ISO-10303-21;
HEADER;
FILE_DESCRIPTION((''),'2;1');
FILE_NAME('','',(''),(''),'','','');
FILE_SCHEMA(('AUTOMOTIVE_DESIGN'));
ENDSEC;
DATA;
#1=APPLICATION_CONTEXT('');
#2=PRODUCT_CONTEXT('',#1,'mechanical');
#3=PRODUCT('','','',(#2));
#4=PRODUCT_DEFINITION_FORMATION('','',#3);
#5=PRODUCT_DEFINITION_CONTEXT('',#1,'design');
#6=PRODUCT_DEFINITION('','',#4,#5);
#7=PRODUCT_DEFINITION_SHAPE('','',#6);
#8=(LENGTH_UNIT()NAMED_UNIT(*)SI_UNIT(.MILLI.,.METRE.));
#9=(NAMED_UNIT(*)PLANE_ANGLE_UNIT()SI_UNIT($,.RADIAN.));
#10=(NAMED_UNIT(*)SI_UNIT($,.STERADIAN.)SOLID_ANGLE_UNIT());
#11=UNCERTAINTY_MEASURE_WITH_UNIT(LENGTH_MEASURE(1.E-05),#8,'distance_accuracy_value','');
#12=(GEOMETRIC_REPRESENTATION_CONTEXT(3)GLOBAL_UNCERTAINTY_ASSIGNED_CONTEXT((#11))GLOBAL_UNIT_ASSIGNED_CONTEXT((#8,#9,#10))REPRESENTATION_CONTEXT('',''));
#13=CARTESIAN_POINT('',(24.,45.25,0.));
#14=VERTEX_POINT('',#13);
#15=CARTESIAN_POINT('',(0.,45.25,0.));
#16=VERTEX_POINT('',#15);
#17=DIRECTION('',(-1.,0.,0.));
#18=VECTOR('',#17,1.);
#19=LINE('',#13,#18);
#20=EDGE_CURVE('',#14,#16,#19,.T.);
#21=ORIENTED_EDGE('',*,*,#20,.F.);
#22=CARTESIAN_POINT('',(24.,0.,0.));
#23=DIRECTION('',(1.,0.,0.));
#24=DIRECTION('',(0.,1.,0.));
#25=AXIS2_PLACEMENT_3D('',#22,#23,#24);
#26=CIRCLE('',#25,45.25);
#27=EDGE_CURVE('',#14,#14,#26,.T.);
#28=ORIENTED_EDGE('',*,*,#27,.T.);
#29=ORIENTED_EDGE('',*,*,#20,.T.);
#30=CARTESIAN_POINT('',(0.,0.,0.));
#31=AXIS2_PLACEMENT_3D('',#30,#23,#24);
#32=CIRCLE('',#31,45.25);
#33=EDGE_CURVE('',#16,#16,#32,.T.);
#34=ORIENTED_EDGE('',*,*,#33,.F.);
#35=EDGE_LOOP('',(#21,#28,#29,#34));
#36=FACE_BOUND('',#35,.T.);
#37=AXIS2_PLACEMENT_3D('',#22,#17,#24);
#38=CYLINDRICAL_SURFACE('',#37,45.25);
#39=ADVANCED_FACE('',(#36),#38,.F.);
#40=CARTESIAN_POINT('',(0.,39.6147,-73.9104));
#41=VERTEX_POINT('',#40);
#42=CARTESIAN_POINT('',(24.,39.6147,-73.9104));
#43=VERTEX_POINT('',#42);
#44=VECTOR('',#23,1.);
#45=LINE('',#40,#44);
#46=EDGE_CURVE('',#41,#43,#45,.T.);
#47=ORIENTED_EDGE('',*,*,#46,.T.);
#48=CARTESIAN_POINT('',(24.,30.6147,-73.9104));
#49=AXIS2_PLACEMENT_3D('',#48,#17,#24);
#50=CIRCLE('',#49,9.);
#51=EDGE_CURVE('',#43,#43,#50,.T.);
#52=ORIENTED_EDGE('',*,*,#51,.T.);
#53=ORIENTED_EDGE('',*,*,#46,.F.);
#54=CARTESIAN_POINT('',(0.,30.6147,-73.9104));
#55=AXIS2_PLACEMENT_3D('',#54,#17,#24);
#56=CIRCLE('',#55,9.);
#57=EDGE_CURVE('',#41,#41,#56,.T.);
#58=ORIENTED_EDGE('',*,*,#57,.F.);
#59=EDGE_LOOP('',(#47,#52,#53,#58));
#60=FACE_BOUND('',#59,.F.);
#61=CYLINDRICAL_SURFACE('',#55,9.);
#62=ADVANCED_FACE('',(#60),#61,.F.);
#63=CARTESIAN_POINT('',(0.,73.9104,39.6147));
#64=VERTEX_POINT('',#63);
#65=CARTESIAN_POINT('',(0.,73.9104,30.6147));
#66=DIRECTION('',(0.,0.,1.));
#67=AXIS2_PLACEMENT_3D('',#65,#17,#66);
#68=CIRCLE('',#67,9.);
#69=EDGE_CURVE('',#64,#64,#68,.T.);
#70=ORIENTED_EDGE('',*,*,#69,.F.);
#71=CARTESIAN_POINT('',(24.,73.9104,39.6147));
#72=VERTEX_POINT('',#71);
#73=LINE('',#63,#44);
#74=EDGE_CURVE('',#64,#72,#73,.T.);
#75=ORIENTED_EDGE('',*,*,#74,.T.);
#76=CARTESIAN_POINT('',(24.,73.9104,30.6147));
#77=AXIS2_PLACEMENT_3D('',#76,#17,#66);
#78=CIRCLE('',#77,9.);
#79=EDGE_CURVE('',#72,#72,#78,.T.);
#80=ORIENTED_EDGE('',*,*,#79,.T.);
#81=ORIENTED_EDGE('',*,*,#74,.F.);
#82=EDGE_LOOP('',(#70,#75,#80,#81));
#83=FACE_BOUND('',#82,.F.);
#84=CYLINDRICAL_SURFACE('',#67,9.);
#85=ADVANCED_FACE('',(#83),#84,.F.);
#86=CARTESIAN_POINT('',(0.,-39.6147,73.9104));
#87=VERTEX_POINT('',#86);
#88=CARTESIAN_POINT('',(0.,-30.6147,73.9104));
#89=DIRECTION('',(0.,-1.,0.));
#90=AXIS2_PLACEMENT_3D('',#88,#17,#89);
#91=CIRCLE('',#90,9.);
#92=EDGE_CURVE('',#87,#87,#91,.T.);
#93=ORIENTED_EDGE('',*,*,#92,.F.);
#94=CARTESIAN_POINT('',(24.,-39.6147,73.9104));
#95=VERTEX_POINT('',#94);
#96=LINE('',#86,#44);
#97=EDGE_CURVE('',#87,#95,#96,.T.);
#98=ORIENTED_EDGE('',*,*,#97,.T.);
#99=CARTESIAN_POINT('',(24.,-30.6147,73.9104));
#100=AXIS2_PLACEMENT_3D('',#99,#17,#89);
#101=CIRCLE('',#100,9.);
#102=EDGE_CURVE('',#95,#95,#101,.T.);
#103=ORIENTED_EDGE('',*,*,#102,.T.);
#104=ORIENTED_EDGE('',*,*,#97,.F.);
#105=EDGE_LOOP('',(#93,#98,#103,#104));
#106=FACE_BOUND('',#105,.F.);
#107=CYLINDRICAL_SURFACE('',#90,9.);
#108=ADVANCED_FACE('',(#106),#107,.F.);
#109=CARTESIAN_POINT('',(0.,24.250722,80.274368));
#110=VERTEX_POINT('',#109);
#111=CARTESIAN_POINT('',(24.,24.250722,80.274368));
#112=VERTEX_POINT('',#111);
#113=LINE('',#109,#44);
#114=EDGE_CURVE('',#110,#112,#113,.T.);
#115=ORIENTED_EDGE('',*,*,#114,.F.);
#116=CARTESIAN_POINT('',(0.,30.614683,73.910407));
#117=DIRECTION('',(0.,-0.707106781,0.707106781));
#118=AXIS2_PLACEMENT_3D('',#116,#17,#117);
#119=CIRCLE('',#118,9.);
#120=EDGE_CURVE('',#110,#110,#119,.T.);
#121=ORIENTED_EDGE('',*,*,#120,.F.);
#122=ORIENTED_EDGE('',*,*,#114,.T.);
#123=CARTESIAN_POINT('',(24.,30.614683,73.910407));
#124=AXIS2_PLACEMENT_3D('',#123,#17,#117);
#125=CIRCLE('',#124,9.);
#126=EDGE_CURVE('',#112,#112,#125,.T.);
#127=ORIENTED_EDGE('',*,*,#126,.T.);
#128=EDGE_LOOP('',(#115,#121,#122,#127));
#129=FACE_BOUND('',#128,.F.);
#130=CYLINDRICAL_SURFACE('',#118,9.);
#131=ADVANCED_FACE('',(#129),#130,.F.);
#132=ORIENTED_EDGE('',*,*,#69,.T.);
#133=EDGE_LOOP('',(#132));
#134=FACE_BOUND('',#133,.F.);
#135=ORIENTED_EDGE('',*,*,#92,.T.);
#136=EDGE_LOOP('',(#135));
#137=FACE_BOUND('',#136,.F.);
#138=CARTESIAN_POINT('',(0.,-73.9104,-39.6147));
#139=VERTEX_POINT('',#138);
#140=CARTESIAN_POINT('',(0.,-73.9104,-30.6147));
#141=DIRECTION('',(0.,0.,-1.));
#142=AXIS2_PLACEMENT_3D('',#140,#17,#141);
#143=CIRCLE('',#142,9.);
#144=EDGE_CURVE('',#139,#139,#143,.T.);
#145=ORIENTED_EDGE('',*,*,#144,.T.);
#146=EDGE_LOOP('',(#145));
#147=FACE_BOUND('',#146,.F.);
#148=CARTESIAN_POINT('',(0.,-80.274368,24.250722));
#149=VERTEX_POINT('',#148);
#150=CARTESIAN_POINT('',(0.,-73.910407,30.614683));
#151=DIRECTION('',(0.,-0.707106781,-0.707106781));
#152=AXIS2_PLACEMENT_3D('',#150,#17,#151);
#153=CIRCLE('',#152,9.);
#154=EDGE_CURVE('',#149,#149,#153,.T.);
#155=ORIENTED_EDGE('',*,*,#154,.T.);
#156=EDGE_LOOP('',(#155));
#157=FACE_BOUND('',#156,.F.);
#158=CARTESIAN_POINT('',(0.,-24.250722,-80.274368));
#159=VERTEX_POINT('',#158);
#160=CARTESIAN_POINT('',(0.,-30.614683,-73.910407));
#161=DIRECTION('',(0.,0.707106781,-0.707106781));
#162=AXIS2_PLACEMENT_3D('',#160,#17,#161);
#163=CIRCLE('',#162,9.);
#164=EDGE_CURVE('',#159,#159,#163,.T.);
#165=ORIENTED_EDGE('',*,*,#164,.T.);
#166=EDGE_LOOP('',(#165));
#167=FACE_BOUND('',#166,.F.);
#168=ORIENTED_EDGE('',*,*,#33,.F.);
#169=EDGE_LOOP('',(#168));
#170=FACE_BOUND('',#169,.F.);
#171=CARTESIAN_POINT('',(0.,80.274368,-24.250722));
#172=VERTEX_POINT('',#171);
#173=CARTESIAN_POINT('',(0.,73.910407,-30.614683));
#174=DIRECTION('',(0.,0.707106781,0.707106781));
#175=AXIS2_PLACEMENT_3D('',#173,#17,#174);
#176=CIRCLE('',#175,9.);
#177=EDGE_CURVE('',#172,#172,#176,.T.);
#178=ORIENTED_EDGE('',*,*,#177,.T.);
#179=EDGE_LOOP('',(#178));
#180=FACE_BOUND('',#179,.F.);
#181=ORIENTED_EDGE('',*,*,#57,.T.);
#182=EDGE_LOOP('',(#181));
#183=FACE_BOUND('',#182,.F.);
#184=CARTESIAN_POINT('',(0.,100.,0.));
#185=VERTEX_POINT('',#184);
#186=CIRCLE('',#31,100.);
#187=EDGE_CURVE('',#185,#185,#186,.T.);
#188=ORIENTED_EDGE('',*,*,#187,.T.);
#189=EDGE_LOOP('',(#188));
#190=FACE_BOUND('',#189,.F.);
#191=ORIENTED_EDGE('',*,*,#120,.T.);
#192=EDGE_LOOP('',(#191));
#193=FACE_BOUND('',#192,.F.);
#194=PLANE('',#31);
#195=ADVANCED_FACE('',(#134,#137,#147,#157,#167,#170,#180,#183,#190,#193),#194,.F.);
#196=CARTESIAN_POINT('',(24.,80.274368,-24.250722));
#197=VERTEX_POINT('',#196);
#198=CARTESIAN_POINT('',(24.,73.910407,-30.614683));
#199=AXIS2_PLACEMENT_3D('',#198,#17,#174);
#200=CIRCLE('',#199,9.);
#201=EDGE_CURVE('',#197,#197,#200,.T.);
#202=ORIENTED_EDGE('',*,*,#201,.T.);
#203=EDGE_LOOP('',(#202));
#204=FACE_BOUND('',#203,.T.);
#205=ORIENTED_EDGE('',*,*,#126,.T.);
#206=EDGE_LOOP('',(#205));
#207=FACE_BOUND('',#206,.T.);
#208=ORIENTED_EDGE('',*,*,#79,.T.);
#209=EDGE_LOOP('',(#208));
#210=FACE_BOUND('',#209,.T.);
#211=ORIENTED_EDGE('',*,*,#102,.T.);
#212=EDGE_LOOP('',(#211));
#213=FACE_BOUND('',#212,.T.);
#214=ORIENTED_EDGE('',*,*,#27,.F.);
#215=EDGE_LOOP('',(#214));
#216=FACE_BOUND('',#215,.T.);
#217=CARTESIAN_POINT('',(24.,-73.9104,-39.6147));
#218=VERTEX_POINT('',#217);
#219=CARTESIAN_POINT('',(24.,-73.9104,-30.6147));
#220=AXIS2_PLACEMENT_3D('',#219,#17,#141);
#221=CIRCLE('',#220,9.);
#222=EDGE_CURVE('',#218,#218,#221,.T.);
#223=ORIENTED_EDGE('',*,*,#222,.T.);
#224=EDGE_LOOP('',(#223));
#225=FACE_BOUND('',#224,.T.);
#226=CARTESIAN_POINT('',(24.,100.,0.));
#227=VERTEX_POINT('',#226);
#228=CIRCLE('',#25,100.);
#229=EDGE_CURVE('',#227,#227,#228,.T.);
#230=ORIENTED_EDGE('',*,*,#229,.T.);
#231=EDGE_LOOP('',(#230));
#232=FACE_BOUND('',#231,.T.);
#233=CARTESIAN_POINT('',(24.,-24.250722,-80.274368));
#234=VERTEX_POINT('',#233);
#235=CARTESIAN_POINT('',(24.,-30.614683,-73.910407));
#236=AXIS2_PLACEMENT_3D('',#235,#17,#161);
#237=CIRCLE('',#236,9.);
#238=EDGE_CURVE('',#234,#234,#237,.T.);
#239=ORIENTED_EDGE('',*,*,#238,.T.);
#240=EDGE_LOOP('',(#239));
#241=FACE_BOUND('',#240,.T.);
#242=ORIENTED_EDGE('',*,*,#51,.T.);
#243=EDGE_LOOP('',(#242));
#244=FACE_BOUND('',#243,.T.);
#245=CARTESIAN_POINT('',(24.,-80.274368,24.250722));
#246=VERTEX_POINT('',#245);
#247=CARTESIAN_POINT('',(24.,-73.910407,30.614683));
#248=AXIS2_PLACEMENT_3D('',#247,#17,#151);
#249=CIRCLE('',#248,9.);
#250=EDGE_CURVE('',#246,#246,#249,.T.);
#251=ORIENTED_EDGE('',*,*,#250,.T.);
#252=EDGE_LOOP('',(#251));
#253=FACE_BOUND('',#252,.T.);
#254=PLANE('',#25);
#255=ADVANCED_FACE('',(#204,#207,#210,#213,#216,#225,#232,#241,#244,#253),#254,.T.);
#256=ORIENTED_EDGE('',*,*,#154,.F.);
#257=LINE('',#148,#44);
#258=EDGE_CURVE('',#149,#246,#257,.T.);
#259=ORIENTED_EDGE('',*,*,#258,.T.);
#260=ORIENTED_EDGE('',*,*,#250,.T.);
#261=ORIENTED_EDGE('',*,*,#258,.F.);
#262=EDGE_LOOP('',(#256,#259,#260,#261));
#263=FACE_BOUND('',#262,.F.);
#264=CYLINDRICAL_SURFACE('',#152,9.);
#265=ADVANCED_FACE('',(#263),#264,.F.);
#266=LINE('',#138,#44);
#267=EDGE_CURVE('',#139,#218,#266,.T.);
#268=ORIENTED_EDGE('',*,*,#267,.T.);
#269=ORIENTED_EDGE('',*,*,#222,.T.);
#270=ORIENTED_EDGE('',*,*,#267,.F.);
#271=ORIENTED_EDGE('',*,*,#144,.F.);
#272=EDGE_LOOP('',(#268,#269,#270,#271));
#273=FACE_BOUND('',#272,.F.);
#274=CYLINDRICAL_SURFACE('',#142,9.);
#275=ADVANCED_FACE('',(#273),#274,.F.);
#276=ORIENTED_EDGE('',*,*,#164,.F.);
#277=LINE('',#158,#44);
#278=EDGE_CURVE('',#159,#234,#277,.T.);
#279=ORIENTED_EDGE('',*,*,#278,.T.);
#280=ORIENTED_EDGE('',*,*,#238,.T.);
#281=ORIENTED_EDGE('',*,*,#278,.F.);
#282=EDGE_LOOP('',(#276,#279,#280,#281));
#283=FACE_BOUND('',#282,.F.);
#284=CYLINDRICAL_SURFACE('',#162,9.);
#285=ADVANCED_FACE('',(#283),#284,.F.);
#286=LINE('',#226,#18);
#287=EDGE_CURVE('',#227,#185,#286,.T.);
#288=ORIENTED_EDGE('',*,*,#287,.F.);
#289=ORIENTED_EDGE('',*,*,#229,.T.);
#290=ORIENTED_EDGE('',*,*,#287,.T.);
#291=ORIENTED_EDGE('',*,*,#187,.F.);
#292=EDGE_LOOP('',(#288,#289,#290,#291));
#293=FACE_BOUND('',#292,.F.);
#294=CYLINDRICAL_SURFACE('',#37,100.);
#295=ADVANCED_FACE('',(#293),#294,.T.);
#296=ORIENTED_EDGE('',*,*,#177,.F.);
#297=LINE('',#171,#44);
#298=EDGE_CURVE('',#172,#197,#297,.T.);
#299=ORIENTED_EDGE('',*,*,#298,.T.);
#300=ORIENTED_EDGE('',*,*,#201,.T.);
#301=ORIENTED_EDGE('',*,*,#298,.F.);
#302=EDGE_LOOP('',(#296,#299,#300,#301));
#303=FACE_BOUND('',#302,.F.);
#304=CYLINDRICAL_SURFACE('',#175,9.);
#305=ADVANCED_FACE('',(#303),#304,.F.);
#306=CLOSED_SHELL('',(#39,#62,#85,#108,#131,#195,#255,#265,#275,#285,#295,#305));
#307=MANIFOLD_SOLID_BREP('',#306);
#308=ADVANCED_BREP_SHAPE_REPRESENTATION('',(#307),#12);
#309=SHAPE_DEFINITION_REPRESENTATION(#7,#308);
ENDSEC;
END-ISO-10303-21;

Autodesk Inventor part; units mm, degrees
ref_plane "YZ Plane" through (0, 0, 0) normal (1, 0, 0) x (0, 1, 0)
ref_plane "XZ Plane" through (0, 0, 0) normal (0, 1, 0) x (-1, 0, 0)
ref_plane "XY Plane" through (0, 0, 0) normal (0, 0, 1) x (1, 0, 0)
sketch "Sketch1" plane through (0, 0, 0) normal (0, 0, 1) x (1, 0, 0)
  line L0 (24, 100) -> (0, 100)
  line L1 (0, 100) -> (0, 45.25)
  line L2 (0, 45.25) -> (0, 0) construction
  line L3 (0, 0) -> (24, 0) construction
  line L4 (24, 100) -> (24, 45.25)
  line L5 (24, 45.25) -> (0, 45.25)
  line L6 (24, 45.25) -> (24, 0) construction
  dimension "d0" = 200
  dimension "d1" = 24
  dimension "d5" = 90.5
revolve "Revolution1" add sketch "Sketch1" angle 360 about axis through (0, 0, 0) along (1, 0, 0)
sketch "Sketch2" plane through (0, 0, 0) normal (-1, 0, 0) x (0, 0, 1)
  circle A0 centre (0, 0) radius 45.25 projected
  line L0 (0, 80) -> (0, 0) construction
  circle A1 centre (0, 0) radius 100 projected
  circle A2 centre (0, 0) radius 80 construction
  line L1 (0, 0) -> (30.6147, 73.9104) construction
  circle A3 centre (30.6147, 73.9104) radius 9
  dimension "d6" = 18
  dimension "d7" = 80
  dimension "d8" = 22.5
extrude "Extrusion1" cut sketch "Sketch2" against normal through all contours A3
pattern_circular "Circular Pattern1" count 8 over 360 about axis through (12, 0, 0) along (1, 0, 0) of "Extrusion1"
equation "\"d6\" = dd2"
equation "\"d7\" = 0.5 * k"
equation "\"d0\" = D"
equation "\"d1\" = b"
equation "\"d5\" = dd5"
equation "\"b\" = 24"
equation "\"D\" = 200"
equation "\"dd2\" = 18"
equation "\"dd5\" = 90.5"
equation "\"Size_Designation\" = 1.2345"
equation "\"k\" = 160"
properties part number "DIN EN 1092-1 Plate Flange for Welding Type 01 - PN 25 80 x 88.9" material "Steel"
